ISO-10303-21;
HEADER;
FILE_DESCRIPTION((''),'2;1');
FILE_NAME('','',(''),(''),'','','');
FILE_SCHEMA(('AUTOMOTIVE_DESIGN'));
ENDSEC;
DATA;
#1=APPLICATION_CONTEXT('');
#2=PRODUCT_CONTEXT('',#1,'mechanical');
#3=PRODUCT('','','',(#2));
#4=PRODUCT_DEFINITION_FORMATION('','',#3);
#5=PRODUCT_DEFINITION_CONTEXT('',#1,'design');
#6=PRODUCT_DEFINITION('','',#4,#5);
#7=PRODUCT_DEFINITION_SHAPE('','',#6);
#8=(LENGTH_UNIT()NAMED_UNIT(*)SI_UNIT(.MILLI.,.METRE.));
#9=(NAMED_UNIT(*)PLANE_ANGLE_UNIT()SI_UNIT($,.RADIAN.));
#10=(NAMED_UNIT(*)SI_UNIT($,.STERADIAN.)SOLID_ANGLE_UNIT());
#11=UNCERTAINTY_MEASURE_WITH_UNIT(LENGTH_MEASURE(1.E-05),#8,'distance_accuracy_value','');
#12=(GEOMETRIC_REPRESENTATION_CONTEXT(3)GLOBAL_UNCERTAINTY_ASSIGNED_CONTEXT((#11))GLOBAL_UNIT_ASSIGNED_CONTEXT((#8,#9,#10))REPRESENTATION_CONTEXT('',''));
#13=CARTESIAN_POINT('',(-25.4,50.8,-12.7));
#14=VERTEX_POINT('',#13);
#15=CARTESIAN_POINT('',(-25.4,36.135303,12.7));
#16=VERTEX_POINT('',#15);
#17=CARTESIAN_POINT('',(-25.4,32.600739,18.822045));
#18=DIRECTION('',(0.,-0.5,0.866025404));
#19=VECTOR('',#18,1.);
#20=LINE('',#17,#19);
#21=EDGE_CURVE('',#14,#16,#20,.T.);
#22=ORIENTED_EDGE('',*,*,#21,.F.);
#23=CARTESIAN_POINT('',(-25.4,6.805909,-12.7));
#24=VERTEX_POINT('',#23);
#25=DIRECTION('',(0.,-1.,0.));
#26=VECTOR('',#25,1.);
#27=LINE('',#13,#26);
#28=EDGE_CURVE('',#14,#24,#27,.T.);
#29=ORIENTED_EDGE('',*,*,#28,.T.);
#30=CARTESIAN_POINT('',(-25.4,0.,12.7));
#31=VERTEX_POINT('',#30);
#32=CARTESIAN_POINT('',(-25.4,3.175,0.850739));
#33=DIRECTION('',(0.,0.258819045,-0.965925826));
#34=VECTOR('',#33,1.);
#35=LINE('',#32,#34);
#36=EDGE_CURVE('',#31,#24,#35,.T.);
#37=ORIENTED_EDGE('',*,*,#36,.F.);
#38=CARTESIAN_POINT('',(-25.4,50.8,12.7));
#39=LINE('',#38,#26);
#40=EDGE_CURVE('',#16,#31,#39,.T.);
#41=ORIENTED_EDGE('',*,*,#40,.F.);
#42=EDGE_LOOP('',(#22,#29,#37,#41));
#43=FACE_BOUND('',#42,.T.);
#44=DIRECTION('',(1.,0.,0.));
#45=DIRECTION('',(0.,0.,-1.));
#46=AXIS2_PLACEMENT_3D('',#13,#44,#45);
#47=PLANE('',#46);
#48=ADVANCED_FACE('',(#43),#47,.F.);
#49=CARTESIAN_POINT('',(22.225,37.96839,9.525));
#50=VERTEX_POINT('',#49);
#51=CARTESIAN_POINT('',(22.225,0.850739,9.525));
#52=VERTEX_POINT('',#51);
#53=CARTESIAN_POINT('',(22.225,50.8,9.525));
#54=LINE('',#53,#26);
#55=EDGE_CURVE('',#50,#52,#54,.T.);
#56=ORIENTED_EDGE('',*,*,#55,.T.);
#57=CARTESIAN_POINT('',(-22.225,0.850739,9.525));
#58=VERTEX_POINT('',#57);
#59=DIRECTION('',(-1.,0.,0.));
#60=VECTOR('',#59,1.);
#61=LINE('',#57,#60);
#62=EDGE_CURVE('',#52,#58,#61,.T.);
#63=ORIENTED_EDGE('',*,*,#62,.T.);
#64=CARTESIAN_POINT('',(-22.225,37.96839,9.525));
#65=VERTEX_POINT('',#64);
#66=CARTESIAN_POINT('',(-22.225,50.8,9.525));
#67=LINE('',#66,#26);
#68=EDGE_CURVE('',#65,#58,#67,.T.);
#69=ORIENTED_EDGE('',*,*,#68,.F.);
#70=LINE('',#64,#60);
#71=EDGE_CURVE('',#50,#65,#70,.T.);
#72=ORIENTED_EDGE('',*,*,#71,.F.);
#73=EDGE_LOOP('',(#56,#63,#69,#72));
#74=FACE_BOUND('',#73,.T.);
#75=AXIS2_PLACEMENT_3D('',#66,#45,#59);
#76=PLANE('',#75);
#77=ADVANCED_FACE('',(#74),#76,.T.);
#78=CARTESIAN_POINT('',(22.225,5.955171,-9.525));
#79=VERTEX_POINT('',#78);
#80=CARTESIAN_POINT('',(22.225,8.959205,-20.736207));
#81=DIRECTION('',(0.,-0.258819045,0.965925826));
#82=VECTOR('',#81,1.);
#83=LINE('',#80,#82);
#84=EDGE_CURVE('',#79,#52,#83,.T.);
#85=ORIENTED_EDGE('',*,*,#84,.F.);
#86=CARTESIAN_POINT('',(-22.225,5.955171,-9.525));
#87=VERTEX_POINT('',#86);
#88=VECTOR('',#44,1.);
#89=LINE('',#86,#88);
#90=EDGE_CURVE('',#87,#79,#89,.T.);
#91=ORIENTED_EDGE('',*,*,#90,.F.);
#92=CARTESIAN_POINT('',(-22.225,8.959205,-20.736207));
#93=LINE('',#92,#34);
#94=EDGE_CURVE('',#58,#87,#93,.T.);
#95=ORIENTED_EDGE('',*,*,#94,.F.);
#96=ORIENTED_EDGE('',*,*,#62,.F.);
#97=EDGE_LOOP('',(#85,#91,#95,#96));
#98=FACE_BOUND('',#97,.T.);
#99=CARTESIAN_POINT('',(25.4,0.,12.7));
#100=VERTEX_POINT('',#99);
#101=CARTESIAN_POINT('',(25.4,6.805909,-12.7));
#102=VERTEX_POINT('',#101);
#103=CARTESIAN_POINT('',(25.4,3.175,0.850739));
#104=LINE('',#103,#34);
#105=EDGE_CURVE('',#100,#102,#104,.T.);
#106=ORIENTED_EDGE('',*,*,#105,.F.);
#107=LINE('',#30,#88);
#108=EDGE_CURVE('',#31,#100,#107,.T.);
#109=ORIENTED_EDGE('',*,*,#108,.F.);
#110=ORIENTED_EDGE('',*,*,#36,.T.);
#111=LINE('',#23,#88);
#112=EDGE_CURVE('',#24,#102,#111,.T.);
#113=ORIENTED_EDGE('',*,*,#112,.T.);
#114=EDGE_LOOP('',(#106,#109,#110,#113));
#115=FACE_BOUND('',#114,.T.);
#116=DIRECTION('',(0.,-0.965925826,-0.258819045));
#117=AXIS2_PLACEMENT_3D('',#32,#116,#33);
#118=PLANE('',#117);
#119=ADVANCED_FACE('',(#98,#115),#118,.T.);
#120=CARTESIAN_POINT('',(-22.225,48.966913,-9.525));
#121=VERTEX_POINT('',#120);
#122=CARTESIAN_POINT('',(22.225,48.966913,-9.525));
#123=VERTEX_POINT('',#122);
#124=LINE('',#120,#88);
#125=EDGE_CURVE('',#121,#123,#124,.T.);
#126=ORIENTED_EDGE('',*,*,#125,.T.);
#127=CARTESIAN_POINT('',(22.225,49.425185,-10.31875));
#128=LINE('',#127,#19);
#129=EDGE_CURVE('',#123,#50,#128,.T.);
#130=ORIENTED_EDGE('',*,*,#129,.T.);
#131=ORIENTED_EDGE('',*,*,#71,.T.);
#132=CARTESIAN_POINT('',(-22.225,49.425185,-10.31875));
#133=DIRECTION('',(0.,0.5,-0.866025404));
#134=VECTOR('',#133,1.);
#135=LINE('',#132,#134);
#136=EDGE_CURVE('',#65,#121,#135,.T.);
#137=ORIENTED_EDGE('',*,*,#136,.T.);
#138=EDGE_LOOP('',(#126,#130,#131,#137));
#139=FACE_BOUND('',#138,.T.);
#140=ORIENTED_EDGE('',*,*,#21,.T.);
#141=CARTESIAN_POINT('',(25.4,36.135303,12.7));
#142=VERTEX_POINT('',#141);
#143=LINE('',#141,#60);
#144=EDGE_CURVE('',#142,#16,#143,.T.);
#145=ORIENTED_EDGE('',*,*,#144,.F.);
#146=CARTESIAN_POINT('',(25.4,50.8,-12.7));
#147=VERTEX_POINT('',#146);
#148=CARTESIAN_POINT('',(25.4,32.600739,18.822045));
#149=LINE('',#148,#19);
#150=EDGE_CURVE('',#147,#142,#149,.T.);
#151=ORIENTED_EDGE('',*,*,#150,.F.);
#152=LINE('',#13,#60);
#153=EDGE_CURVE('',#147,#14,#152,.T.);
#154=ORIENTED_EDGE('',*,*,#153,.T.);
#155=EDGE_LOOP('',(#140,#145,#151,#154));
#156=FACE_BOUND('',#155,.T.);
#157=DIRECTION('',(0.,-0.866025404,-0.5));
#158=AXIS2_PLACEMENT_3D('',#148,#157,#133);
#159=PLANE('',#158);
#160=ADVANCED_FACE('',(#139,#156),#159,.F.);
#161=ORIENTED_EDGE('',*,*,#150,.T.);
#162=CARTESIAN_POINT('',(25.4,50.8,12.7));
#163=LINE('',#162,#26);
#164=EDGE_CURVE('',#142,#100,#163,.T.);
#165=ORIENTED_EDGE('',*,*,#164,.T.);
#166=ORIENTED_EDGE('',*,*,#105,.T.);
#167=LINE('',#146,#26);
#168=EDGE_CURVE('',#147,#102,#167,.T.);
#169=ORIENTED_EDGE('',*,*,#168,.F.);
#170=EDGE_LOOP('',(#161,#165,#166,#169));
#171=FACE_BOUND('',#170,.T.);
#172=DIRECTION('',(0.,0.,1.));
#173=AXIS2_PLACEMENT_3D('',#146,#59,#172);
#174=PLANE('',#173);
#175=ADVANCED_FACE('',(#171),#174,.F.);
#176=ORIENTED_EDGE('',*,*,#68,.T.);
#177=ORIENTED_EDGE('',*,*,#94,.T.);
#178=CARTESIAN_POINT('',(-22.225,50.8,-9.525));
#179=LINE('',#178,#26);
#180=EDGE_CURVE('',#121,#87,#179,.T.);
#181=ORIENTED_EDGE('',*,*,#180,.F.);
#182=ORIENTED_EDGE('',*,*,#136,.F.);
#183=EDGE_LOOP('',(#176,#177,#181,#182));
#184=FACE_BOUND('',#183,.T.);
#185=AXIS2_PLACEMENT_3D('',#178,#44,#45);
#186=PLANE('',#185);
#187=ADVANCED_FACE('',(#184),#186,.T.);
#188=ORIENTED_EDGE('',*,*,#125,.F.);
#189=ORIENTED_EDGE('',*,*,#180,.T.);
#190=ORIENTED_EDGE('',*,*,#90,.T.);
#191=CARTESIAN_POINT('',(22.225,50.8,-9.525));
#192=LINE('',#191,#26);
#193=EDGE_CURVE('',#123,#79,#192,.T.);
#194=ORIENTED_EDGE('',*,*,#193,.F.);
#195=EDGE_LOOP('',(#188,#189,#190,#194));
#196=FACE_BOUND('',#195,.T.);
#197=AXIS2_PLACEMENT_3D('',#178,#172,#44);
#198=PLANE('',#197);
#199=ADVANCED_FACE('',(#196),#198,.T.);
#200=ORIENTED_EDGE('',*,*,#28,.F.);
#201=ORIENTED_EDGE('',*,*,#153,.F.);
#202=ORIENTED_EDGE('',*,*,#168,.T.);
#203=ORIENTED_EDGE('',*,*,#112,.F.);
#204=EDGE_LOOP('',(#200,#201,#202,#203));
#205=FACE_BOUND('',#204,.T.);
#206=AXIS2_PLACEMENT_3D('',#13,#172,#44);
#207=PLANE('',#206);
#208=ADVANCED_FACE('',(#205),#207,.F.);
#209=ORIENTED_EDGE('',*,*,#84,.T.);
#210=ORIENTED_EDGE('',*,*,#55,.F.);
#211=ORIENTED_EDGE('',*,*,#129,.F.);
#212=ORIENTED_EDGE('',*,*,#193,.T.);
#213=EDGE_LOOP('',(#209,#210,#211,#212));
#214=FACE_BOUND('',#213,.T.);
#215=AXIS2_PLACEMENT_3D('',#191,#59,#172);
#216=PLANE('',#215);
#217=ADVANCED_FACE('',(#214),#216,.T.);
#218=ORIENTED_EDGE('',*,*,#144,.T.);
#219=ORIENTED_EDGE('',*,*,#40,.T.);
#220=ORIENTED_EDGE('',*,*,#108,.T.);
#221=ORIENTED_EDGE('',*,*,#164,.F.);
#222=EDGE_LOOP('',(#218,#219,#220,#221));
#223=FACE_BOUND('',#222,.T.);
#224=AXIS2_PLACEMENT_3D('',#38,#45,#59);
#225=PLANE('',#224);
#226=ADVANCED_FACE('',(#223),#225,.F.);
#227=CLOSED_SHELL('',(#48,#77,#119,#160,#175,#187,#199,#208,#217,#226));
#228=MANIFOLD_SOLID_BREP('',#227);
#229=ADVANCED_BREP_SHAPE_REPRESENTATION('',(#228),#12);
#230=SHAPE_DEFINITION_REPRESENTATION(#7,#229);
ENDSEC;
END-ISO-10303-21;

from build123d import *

# Parameters (mm, degrees)
SKETCH1_W           = 50.8
SKETCH1_H           = 25.4
SKETCH1_W_2         = 44.45
SKETCH1_H_2         = 19.05
BOSS_EXTRUDE1_DEPTH = 50.8
CUT_EXTRUDE1_DEPTH  = 73.955945611
CUT_EXTRUDE2_DEPTH  = 73.955945611


with BuildPart() as part:
    # Sketch1 → Boss-Extrude1 (new body)
    with BuildSketch(Plane(origin=(0, 0, 0), x_dir=(1, 0, 0), z_dir=(0, 1, 0))):
        Rectangle(SKETCH1_W, SKETCH1_H)
        Rectangle(SKETCH1_W_2, SKETCH1_H_2, mode=Mode.SUBTRACT)
    extrude(amount=BOSS_EXTRUDE1_DEPTH)

    # Sketch2 → Cut-Extrude1 (cut, through all)
    with BuildSketch(Plane.ZY.offset(25.4)):
        Polygon((12.7, 50.8), (-12.7, 50.8), (12.7, 36.135303163), align=None)
    extrude(amount=-CUT_EXTRUDE1_DEPTH, mode=Mode.SUBTRACT)

    # Sketch3 → Cut-Extrude2 (cut, through all)
    with BuildSketch(Plane(origin=(25.4, 0, 0), x_dir=(0, 0, -1), z_dir=(1, 0, 0))):
        Polygon((12.7, 6.805909488), (-12.7, 0), (12.7, 0), align=None)
    extrude(amount=-CUT_EXTRUDE2_DEPTH, mode=Mode.SUBTRACT)


solid = part.part
